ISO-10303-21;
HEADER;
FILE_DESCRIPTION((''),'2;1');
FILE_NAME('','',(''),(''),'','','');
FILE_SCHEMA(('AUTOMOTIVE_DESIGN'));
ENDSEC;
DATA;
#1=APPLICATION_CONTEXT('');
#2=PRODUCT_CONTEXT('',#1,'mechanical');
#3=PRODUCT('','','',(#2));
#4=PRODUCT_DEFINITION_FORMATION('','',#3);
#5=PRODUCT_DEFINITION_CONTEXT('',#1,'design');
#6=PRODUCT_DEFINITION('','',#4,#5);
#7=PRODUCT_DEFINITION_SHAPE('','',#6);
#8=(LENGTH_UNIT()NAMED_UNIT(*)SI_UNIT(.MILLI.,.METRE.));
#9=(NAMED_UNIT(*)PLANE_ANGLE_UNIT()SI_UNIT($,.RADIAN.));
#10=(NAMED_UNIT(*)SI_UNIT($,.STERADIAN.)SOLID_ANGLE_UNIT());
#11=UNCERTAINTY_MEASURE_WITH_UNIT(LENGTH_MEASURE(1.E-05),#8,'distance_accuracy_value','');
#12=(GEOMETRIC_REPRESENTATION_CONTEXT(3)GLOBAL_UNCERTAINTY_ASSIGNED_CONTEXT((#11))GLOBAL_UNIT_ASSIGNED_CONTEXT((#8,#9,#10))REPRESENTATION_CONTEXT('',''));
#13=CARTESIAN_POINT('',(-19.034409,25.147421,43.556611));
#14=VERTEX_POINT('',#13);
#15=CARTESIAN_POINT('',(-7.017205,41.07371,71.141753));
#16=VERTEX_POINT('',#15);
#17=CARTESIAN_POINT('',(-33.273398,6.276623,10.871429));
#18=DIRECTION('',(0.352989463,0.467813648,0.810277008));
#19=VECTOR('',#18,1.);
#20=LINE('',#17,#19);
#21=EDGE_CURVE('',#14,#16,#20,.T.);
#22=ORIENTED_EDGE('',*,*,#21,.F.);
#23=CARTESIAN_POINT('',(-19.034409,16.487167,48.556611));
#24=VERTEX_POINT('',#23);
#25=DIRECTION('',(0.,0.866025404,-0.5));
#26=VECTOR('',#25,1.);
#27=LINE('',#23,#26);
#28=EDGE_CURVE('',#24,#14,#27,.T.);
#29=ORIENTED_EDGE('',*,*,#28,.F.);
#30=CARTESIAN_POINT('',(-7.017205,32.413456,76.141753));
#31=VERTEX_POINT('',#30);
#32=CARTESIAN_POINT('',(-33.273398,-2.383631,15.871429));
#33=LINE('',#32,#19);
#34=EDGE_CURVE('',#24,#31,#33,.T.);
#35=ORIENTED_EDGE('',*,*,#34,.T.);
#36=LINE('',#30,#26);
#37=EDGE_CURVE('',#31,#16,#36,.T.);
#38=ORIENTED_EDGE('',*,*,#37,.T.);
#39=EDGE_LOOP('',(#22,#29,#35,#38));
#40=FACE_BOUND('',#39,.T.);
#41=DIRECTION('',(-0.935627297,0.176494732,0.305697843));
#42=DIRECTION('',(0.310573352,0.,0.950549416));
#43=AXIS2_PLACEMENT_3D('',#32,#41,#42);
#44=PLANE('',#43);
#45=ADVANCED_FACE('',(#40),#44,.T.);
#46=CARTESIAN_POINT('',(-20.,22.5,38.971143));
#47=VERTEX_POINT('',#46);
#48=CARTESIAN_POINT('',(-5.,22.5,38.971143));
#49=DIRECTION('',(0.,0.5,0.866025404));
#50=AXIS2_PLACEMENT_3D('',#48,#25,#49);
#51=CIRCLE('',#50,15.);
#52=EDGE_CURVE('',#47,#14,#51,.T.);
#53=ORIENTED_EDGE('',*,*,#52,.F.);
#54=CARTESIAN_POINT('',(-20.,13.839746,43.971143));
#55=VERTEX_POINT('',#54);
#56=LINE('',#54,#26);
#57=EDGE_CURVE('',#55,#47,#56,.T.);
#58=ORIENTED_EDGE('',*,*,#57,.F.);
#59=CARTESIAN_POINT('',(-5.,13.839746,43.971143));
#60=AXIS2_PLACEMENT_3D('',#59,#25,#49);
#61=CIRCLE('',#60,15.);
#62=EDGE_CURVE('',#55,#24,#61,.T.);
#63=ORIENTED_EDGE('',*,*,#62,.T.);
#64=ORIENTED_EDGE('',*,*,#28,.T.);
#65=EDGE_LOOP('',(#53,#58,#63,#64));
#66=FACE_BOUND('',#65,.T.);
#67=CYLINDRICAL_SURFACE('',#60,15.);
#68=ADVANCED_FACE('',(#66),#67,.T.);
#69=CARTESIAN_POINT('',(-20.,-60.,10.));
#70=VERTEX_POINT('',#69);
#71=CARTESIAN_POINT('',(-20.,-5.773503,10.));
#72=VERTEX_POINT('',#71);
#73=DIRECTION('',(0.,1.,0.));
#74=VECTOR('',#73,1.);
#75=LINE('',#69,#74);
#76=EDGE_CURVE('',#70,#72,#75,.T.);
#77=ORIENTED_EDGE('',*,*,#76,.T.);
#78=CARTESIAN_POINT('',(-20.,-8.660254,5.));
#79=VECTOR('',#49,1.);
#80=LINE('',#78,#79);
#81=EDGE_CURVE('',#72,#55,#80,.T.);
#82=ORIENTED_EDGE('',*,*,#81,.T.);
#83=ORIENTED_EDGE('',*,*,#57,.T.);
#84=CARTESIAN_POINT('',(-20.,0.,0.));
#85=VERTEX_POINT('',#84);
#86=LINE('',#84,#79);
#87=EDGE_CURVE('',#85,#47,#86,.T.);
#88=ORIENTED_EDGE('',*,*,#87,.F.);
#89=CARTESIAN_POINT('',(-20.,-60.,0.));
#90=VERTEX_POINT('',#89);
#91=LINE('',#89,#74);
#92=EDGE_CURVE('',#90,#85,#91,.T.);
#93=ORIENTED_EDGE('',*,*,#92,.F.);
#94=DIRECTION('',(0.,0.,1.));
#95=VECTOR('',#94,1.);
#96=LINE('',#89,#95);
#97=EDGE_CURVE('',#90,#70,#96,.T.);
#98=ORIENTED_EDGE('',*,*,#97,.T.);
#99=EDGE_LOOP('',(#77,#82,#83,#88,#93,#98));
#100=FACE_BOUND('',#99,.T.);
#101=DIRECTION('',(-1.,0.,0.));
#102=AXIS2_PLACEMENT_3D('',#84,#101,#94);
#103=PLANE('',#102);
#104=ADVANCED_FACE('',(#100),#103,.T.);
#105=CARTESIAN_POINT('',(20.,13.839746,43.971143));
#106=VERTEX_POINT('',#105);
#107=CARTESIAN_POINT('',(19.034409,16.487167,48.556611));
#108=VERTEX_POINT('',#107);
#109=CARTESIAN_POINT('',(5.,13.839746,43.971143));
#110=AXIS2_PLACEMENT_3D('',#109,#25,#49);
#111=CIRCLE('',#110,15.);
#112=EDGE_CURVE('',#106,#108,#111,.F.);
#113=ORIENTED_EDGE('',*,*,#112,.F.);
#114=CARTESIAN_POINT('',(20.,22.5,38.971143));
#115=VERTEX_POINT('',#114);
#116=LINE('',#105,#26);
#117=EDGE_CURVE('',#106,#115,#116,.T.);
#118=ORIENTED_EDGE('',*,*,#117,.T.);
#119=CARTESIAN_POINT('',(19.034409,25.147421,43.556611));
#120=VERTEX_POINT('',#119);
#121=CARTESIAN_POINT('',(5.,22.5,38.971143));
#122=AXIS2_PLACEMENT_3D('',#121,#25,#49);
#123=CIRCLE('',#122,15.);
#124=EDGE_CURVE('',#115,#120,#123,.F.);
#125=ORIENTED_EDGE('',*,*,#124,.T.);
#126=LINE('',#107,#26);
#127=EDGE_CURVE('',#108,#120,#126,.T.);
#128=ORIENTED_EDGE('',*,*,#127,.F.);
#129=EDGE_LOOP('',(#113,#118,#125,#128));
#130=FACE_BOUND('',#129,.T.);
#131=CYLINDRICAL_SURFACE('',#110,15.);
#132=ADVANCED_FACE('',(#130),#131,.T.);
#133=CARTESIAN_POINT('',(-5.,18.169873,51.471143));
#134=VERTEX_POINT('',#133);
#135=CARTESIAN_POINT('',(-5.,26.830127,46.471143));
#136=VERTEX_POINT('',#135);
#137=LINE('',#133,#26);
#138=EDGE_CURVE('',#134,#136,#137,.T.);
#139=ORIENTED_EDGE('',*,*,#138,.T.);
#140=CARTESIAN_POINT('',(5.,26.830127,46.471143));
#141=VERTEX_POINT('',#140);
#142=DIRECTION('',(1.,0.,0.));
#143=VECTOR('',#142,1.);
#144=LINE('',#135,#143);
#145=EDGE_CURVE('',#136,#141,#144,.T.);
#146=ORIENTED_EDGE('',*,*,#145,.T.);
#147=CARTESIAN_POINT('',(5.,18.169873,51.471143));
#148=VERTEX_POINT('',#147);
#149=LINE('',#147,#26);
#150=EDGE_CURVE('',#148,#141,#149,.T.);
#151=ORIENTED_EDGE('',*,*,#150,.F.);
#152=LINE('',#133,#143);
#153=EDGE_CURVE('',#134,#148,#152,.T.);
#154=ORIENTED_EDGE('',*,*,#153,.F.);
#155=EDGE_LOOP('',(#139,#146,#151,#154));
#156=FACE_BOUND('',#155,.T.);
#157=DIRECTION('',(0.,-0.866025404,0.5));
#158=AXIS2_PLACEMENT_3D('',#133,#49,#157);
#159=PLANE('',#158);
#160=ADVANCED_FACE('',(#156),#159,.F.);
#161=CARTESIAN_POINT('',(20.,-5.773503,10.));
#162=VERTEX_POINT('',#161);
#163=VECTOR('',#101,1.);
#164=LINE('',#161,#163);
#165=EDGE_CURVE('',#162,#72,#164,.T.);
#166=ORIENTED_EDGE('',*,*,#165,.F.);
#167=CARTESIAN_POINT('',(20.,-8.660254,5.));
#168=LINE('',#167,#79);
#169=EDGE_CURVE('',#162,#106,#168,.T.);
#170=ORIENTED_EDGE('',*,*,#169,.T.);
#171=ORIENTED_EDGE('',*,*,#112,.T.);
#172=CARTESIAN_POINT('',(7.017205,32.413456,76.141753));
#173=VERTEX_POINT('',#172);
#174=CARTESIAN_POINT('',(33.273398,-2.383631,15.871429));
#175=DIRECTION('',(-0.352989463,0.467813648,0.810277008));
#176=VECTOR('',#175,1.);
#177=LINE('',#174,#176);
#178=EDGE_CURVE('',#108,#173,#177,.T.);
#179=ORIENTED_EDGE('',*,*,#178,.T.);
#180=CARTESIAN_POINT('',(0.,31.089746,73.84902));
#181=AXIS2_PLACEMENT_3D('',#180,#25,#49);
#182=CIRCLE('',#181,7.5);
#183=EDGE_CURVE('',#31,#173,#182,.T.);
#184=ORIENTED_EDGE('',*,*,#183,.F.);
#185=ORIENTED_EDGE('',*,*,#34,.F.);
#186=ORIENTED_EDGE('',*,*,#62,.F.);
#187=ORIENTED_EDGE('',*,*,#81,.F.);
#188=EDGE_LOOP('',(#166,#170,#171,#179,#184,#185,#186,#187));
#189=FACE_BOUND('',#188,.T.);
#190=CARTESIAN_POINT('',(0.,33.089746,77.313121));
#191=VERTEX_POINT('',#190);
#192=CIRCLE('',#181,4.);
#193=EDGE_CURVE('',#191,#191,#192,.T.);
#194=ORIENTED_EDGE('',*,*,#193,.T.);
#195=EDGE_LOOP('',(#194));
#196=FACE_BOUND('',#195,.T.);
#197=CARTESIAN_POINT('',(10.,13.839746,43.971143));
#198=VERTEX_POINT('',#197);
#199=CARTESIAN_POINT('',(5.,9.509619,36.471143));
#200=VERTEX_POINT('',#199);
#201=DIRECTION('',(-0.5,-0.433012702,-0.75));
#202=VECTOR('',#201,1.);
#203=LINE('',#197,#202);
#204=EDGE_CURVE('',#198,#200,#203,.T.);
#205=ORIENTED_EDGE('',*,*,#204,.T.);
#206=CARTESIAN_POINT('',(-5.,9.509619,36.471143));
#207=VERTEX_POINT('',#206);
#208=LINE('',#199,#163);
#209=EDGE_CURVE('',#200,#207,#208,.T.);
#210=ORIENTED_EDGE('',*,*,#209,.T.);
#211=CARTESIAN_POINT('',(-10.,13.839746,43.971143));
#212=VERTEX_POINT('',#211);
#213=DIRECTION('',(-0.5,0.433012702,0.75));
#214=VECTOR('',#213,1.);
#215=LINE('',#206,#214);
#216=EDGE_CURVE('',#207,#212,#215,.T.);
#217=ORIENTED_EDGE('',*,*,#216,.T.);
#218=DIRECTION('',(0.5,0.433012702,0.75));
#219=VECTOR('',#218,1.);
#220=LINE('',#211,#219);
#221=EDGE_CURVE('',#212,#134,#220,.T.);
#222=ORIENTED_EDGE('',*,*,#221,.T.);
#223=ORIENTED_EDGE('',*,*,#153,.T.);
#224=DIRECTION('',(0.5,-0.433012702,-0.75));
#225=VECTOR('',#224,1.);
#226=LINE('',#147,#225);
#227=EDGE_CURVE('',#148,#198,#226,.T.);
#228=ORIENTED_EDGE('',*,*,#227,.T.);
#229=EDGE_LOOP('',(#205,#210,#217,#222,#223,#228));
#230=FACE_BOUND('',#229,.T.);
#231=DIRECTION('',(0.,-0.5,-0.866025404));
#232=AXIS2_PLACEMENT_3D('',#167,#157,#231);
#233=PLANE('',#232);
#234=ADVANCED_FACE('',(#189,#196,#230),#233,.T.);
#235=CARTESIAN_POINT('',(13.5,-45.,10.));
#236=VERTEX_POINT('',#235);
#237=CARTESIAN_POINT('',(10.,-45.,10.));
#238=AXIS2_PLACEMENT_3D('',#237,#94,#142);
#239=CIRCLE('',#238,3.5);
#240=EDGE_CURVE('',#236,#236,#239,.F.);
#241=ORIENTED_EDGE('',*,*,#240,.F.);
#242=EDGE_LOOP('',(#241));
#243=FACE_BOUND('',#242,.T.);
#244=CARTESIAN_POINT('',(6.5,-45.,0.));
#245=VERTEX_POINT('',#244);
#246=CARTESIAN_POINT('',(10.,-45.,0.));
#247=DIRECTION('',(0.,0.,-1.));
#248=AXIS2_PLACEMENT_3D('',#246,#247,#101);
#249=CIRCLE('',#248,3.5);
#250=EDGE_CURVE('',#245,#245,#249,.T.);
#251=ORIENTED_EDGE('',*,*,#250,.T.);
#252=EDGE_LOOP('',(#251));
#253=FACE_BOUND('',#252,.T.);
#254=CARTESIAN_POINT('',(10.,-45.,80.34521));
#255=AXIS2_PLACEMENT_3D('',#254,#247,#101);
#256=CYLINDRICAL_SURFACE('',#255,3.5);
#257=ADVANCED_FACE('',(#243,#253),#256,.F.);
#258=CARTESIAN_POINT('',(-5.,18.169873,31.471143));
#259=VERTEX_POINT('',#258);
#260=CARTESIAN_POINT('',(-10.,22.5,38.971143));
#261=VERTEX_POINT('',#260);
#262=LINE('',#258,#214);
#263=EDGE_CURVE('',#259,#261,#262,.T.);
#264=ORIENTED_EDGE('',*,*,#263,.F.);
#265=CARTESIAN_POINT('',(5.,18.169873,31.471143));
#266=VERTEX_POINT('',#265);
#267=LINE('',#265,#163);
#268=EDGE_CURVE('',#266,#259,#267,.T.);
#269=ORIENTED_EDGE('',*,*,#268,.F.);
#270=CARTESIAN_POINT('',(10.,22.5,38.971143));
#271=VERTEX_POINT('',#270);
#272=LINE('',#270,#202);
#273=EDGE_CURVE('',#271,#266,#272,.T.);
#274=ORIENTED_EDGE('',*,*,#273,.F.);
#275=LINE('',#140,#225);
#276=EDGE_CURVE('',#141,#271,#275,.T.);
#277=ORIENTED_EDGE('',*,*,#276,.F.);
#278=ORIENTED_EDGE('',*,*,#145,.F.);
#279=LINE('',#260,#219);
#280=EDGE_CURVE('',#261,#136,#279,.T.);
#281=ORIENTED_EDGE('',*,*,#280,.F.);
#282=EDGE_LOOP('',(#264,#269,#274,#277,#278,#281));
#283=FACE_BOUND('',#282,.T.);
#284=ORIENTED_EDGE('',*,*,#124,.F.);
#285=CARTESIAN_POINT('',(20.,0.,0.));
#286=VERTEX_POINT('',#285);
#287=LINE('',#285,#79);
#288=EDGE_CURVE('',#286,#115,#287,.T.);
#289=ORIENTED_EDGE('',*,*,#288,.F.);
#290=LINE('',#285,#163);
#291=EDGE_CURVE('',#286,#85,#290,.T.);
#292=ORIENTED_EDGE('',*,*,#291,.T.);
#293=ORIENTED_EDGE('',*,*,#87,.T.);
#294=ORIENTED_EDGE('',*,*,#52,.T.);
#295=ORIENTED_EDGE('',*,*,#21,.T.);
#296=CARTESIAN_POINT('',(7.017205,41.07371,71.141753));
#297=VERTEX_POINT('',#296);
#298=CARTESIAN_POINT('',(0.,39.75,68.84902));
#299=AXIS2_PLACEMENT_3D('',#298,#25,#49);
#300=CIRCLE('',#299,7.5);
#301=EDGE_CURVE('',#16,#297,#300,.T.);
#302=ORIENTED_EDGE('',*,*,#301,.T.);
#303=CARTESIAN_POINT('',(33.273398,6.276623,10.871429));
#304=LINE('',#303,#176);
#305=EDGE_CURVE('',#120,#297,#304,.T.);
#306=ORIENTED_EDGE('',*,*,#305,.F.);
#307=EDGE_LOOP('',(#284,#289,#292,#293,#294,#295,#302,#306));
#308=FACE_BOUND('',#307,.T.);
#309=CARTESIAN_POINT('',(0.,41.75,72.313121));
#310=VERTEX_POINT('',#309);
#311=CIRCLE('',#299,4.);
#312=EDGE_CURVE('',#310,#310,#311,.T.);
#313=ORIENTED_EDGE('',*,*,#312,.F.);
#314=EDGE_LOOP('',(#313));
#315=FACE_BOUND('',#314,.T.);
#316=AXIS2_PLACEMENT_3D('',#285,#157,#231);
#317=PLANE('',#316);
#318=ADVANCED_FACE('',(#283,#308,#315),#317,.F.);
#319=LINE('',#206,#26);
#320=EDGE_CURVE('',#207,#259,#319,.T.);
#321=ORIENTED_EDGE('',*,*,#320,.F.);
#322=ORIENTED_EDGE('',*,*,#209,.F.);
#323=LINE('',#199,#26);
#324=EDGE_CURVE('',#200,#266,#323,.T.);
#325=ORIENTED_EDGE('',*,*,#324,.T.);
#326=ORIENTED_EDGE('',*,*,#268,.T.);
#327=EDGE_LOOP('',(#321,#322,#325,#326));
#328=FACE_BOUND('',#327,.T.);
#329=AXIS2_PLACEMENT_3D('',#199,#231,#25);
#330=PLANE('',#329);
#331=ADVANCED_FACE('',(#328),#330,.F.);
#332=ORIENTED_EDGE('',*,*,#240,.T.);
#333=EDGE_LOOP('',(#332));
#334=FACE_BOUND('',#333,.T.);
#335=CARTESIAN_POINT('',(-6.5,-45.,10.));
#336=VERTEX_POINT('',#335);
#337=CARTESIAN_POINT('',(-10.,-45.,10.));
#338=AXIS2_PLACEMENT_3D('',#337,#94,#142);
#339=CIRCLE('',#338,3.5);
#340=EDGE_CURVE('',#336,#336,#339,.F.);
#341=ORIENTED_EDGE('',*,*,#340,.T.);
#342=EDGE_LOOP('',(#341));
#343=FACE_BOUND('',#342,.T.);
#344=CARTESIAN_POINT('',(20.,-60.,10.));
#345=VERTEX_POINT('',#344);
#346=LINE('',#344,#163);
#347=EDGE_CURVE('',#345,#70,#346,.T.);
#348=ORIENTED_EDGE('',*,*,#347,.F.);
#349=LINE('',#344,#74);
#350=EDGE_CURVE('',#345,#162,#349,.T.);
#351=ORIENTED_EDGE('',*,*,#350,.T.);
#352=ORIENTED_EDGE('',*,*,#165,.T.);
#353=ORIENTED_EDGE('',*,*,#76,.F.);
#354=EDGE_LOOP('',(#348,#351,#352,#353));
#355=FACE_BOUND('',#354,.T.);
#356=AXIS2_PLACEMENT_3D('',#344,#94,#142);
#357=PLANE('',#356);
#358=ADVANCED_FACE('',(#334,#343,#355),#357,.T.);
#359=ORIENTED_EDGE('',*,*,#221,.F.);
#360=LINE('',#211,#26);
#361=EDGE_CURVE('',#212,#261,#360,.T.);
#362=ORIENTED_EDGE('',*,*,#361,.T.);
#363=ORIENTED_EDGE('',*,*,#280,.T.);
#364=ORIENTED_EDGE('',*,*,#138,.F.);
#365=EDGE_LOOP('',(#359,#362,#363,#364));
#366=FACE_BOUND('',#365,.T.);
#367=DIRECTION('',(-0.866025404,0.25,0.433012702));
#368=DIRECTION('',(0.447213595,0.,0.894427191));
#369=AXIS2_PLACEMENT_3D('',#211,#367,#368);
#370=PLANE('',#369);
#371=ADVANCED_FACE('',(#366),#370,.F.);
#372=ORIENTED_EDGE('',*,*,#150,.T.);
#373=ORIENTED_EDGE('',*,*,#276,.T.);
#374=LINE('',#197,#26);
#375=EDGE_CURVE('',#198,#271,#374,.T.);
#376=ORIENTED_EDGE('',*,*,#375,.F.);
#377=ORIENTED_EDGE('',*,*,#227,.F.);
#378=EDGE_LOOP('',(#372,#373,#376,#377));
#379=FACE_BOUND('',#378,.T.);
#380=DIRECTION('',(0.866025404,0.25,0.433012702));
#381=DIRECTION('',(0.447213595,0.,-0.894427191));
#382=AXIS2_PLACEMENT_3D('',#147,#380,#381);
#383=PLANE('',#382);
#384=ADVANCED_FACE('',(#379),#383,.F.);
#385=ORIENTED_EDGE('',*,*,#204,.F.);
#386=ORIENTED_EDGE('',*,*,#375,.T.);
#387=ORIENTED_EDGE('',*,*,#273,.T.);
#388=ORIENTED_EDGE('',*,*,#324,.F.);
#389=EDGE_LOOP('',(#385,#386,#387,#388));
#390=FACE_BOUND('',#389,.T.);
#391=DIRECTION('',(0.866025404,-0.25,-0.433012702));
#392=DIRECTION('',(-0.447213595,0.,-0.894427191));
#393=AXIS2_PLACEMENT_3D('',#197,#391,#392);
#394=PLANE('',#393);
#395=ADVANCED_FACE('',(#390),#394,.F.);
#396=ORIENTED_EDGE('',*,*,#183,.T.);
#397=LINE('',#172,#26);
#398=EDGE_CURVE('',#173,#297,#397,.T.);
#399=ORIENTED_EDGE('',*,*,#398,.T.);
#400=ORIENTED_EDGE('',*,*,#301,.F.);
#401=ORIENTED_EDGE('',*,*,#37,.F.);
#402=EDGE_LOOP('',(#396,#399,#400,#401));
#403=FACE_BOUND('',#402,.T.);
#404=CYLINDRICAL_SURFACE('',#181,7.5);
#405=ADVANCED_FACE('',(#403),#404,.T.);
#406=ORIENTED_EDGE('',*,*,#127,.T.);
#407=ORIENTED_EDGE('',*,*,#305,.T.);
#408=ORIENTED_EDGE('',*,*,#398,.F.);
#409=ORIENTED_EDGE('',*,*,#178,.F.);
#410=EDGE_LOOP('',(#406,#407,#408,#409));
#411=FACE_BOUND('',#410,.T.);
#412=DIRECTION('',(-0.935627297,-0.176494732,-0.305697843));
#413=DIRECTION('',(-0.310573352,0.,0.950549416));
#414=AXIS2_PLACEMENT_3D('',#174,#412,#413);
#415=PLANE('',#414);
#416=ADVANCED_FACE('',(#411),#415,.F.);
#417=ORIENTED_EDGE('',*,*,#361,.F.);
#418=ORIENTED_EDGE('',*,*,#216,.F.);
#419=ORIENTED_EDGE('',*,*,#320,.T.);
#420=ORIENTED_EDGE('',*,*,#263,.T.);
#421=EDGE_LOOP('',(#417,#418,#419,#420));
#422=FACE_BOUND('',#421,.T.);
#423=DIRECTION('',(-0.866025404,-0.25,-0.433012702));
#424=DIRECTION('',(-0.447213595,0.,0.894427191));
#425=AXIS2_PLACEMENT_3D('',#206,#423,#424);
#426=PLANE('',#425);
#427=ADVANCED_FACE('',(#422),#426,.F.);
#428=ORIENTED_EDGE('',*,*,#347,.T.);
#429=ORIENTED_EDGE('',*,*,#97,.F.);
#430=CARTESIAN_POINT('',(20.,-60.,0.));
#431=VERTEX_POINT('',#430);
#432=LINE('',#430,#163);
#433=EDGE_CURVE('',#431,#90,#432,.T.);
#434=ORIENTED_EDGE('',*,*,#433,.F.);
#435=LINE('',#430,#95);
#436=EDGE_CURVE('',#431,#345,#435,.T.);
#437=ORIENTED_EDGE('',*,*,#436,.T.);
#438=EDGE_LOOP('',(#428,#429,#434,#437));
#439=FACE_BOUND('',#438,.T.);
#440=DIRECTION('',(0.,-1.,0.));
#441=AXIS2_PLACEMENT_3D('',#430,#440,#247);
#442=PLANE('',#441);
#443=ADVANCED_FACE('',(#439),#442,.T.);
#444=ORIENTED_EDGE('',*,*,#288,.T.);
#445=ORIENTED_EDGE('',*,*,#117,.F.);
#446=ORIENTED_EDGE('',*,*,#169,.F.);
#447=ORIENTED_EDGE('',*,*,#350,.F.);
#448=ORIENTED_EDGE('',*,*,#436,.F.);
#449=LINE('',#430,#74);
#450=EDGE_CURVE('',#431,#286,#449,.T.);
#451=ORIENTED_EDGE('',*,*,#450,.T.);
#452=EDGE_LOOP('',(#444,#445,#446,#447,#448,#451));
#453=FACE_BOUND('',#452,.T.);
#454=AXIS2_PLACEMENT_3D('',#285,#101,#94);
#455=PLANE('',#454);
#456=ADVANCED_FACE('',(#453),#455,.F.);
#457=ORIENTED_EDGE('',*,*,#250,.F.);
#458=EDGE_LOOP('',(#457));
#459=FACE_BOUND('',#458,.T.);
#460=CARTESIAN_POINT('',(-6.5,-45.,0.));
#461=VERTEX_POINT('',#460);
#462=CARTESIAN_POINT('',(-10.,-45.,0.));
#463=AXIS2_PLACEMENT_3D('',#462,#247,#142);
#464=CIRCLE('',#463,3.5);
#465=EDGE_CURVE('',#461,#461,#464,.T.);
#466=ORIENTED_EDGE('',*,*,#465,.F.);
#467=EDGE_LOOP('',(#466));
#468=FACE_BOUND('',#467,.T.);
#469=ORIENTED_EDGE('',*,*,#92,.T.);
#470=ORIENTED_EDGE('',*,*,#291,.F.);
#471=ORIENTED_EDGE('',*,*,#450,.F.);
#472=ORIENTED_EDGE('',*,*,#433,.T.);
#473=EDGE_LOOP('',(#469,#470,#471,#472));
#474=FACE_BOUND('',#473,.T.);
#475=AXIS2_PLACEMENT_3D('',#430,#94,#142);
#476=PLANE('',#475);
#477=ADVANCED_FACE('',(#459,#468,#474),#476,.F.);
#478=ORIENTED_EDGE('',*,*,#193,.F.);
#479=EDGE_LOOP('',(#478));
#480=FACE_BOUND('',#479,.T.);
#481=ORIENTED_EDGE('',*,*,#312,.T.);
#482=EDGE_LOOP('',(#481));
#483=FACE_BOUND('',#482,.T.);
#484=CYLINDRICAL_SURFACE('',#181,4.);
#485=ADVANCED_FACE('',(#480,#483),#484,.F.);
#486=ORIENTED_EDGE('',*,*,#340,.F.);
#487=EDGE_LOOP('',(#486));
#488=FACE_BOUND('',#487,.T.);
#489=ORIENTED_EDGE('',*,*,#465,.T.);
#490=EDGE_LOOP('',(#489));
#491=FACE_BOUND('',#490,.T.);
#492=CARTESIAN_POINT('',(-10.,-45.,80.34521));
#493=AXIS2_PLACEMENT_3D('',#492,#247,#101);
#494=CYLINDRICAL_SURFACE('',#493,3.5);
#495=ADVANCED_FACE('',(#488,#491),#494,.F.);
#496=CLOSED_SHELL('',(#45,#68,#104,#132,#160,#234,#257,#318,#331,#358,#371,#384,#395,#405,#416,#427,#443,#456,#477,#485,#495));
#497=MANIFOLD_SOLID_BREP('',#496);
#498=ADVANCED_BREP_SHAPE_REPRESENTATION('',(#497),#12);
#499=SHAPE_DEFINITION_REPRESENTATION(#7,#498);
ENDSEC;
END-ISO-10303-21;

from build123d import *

# Parameters (mm, degrees)
EXTRUDE_THIN1_DEPTH = 20
CUT_EXTRUDE1_REACH  = 104.251
SKETCH2_R           = 3.5
CUT_EXTRUDE9_DEPTH  = 10
SKETCH6_R           = 4
CUT_EXTRUDE10_DEPTH = 10


with BuildPart() as part:
    # Sketch1 → Extrude-Thin1 (new, symmetric)
    with BuildSketch(Plane(origin=(0, 0, 0), x_dir=(0, 0, -1), z_dir=(1, 0, 0))):
        Polygon((0, -60), (0, 0), (-75.344210129, 43.5), (-80.344210129, 34.839745962), (-10, -5.773502692), (-10, -60), align=None)
    extrude(amount=EXTRUDE_THIN1_DEPTH, both=True)

    # Sketch2 → Cut-Extrude1 (cut, up to next)
    with BuildSketch(Plane(origin=(0, 0, 0), x_dir=(-1, 0, 0), z_dir=(0, 0, -1)), mode=Mode.PRIVATE) as cut_extrude1_sk1:
        with Locations((-10, -45)):
            Circle(SKETCH2_R)
    cut_extrude1_tool1 = extrude(cut_extrude1_sk1.sketch, amount=-CUT_EXTRUDE1_REACH, mode=Mode.PRIVATE) & part.part
    # Sketch2 → Cut-Extrude1 (cut, up to next)
    with BuildSketch(Plane(origin=(0, 0, 0), x_dir=(-1, 0, 0), z_dir=(0, 0, -1)), mode=Mode.PRIVATE) as cut_extrude1_sk2:
        with Locations(Location((10, -45, 0), (0, 0, 180))):
            Circle(SKETCH2_R)
    cut_extrude1_tool2 = extrude(cut_extrude1_sk2.sketch, amount=-CUT_EXTRUDE1_REACH, mode=Mode.PRIVATE) & part.part
    add(cut_extrude1_tool1.solids().sort_by_distance((10, -45, 0))[0], mode=Mode.SUBTRACT)
    add(cut_extrude1_tool2.solids().sort_by_distance((-10, -45, 0))[0], mode=Mode.SUBTRACT)

    # Sketch3 → Cut-Extrude9 (cut)
    with BuildSketch(Plane(origin=(0, 0, 0), x_dir=(1, 0, 0), z_dir=(0, 0.8660254037844398, -0.499999999999998))):
        Polygon((29.732274902, -45), (20, -45), (20, -87), (9.8e-08, -87), (-20, -87), (-20, -45), (-32.034408351, -45), (-32.034408351, -100.781822996), (29.732274902, -100.781822996), align=None)
        with BuildLine():
            ThreePointArc((-19.034409454, -50.29484195), (-19.756628033, -47.691083257), (-20, -45))
            Line((-20, -45), (-20, -87))
            Line((-20, -87), (9.8e-08, -87))
            ThreePointArc((9.8e-08, -87), (-4.265814225, -85.668697512), (-7.017204727, -82.147420975))
            Line((-7.017204727, -82.147420975), (-19.034409454, -50.29484195))
        make_face()
        with BuildLine():
            Line((20, -87), (20, -45))
            ThreePointArc((20, -45), (19.756628033, -47.691083257), (19.034409454, -50.29484195))
            Line((19.034409454, -50.29484195), (7.017204727, -82.147420975))
            ThreePointArc((7.017204727, -82.147420975), (4.265814305, -85.668697457), (9.8e-08, -87))
            Line((9.8e-08, -87), (20, -87))
        make_face()
    extrude(amount=-CUT_EXTRUDE9_DEPTH, mode=Mode.SUBTRACT)

    # Sketch6 → Cut-Extrude10 (cut)
    with BuildSketch(Plane(origin=(0, 0, 0), x_dir=(1, 0, 0), z_dir=(0, 0.8660254037844398, -0.499999999999998))):
        with Locations(Location((0, -79.5, 0), (0, 0, 270))):
            Circle(SKETCH6_R)
        Polygon((10, -45), (5, -36.339745962), (-5, -36.339745962), (-10, -45), (-5, -53.660254038), (5, -53.660254038), align=None)
    extrude(amount=-CUT_EXTRUDE10_DEPTH, mode=Mode.SUBTRACT)


solid = part.part
